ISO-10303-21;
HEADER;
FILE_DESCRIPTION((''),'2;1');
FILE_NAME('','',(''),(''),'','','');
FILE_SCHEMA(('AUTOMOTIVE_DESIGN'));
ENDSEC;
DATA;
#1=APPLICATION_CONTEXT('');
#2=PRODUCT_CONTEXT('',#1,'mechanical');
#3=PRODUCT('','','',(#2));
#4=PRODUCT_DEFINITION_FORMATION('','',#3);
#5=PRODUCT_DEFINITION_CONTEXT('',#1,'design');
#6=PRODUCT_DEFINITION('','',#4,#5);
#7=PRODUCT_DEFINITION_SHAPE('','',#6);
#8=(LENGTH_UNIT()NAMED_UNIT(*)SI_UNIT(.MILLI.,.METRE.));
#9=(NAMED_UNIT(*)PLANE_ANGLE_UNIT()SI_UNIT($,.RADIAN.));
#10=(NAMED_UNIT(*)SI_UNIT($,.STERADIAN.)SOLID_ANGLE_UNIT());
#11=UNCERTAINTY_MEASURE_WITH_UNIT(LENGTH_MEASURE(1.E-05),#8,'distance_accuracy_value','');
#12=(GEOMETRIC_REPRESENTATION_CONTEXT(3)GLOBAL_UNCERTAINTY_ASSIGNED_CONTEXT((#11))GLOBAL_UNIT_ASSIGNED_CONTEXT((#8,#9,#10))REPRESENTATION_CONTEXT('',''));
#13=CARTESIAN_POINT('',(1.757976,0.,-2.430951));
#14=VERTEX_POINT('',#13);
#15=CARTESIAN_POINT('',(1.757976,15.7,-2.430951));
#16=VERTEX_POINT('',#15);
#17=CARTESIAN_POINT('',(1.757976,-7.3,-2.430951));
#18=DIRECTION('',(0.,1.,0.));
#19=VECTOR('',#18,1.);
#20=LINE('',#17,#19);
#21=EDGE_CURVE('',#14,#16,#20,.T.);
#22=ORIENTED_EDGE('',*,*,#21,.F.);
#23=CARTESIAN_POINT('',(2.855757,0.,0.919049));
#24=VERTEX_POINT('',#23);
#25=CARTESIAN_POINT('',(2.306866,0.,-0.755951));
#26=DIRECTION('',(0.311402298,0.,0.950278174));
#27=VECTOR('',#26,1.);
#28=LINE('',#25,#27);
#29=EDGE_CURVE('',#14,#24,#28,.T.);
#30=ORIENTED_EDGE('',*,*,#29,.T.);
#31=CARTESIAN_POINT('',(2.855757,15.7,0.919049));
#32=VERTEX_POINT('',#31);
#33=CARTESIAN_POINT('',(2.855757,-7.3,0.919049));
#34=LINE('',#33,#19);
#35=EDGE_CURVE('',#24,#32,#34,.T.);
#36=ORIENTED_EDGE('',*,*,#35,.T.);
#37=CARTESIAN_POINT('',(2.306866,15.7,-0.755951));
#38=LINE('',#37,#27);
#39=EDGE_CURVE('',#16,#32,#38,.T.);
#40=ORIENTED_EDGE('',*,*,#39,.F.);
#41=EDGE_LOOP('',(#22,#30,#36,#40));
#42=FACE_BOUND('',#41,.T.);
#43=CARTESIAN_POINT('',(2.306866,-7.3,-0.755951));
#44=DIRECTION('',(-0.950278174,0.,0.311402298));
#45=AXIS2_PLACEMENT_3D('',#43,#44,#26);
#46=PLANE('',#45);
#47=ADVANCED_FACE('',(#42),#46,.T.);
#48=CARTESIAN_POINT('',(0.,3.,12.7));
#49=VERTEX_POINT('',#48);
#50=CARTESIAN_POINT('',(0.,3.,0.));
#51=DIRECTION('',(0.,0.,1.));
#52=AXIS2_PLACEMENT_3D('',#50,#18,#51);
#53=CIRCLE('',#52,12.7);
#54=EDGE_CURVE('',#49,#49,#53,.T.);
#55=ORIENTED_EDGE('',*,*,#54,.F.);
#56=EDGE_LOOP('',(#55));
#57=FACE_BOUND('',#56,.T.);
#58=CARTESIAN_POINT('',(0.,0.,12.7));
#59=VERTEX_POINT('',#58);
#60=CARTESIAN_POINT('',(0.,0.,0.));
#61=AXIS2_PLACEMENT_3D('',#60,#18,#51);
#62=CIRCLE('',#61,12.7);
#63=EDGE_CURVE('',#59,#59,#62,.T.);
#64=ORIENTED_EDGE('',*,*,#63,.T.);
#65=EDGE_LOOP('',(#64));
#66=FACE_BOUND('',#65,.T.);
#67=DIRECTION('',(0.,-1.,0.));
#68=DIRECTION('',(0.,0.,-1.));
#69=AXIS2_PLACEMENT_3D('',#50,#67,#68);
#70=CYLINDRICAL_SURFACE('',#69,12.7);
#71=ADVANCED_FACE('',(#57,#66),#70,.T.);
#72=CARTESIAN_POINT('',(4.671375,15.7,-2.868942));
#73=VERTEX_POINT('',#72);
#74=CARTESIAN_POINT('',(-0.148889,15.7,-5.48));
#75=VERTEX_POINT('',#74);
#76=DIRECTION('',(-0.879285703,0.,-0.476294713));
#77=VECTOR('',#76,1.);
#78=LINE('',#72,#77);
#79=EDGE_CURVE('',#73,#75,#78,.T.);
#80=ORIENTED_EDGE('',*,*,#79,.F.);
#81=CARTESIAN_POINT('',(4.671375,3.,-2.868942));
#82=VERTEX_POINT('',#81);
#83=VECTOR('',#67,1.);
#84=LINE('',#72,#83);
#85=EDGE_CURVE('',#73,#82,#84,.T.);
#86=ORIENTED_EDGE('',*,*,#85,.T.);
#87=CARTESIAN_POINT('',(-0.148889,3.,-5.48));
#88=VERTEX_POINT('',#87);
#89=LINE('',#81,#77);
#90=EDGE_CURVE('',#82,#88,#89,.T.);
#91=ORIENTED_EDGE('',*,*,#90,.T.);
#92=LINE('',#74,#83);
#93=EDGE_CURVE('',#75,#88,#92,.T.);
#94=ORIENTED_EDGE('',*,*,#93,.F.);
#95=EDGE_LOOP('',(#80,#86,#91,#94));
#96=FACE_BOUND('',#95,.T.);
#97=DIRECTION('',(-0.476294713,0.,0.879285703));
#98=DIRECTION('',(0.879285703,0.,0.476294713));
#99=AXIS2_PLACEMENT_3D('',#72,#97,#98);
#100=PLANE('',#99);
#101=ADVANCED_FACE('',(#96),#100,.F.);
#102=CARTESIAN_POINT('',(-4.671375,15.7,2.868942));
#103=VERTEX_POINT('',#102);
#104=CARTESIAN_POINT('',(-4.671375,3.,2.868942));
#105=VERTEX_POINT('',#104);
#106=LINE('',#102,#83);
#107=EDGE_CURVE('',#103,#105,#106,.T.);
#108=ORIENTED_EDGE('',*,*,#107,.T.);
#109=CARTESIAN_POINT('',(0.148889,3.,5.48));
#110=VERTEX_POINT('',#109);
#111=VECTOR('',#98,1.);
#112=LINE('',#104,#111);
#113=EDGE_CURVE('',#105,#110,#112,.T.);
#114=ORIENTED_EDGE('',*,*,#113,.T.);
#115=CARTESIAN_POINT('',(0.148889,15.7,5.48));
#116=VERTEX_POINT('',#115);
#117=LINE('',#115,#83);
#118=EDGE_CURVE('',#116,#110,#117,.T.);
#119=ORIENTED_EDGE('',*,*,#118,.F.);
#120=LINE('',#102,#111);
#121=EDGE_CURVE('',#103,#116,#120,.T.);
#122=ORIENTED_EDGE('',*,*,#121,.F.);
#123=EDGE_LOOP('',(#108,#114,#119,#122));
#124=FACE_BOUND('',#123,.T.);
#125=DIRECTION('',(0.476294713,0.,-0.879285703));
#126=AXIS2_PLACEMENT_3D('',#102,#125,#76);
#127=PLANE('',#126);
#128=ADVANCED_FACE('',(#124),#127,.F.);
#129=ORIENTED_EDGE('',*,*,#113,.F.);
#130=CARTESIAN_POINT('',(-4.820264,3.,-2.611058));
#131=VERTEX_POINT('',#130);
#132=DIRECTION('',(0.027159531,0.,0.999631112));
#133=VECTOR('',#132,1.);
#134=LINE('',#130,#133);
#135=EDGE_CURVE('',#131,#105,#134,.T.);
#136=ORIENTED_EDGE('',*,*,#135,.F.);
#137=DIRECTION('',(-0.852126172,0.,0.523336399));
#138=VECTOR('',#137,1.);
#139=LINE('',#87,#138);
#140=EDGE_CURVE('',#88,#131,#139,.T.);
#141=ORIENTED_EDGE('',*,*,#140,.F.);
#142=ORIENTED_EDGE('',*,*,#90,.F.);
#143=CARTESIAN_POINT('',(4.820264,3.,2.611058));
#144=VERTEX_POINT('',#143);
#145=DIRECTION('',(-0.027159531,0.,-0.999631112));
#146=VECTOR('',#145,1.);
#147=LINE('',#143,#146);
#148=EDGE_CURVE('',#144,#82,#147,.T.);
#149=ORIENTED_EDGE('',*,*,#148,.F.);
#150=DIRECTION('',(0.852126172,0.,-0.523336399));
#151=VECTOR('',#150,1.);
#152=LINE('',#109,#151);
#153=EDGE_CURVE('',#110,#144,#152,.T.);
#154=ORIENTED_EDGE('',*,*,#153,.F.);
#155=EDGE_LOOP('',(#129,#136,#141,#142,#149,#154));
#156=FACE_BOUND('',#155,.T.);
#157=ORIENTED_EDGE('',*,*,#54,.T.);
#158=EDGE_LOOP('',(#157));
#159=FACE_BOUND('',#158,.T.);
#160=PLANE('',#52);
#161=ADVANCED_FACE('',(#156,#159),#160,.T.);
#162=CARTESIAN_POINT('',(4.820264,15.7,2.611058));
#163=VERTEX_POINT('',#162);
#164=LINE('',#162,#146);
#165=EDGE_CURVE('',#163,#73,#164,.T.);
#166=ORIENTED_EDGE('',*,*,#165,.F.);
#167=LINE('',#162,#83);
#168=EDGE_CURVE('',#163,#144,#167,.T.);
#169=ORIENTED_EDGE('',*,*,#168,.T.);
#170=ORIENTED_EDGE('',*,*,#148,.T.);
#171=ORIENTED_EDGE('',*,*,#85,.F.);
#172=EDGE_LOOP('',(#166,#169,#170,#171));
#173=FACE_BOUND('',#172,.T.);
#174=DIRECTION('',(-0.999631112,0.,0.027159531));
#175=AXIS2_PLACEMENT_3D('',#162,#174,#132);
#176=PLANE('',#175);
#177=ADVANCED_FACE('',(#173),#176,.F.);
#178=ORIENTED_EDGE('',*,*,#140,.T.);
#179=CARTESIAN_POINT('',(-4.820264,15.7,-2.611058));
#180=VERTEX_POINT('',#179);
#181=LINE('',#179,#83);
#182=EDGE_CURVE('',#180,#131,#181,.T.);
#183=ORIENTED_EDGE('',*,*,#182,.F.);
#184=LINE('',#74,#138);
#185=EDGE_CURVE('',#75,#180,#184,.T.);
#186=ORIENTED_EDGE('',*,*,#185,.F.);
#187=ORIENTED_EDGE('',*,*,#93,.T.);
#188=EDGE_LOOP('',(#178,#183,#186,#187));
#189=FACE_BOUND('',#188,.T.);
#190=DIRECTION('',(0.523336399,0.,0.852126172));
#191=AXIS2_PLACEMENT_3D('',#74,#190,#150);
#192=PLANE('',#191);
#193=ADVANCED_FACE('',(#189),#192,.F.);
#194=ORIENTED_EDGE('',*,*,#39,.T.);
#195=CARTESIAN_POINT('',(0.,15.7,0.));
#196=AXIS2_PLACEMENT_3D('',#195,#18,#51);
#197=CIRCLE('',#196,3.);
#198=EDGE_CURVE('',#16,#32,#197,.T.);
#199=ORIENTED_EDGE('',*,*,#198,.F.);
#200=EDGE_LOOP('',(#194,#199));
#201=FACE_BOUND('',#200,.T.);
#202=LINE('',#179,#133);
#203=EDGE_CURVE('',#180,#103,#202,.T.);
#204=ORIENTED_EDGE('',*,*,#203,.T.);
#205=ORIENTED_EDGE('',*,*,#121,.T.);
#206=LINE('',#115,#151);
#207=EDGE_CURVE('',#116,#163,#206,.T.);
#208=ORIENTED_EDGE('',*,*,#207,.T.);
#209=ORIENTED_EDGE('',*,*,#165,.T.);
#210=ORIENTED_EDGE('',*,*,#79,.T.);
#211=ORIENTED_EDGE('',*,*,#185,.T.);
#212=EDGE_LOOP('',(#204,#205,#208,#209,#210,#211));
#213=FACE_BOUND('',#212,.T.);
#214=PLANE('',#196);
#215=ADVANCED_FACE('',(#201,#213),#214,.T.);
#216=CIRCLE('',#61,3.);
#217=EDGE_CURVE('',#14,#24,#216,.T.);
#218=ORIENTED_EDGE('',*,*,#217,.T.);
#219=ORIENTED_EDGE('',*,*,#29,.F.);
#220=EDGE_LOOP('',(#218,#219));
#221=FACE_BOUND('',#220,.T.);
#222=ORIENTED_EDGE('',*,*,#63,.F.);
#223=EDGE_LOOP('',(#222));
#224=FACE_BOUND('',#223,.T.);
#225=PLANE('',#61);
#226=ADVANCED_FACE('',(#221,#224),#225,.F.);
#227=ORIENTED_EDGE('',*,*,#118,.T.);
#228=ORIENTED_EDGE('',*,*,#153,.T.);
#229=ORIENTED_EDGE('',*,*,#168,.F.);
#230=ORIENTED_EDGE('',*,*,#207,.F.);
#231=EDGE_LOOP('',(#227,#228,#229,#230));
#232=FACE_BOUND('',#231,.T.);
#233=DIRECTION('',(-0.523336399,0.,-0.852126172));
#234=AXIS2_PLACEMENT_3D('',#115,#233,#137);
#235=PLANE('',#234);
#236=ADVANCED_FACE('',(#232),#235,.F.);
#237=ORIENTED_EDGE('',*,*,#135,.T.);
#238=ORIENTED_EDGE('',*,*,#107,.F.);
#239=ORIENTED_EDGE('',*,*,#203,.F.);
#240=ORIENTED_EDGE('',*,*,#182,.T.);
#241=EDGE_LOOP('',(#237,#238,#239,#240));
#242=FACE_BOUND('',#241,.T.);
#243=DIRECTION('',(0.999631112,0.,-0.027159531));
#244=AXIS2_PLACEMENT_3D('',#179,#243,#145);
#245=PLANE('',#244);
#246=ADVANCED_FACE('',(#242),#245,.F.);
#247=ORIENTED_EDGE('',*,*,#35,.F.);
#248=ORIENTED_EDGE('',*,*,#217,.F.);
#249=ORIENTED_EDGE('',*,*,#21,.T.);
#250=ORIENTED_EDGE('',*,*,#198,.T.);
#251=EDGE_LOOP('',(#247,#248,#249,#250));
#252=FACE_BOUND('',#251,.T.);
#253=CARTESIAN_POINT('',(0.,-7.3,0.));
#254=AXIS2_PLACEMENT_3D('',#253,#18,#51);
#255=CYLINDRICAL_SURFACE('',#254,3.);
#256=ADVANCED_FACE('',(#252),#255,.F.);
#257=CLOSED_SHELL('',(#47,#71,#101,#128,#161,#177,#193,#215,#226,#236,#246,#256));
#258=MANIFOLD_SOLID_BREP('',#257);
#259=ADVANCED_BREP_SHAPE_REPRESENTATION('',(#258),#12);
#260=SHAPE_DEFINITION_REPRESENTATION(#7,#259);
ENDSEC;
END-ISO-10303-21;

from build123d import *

# Parameters (mm, degrees)
SKETCH1_R           = 12.7
BOSS_EXTRUDE1_DEPTH = 3
BOSS_EXTRUDE2_DEPTH = 12.7
CUT_EXTRUDE1_DEPTH  = 23


with BuildPart() as part:
    # Sketch1 → Boss-Extrude1 (new body)
    with BuildSketch(Plane(origin=(0, 0, 0), x_dir=(1, 0, 0), z_dir=(0, 1, 0))):
        with Locations(Location((0, 0, 0), (0, 0, 270))):
            Circle(SKETCH1_R)
    extrude(amount=BOSS_EXTRUDE1_DEPTH)

    # Sketch2 → Boss-Extrude2 (add)
    with BuildSketch(Plane(origin=(0, 3, 0), x_dir=(1, 0, 0), z_dir=(0, 1, 0))):
        Polygon((0.148889151, -5.48), (4.820263788, -2.611058213), (4.671374637, 2.868941787), (-0.148889151, 5.48), (-4.820263788, 2.611058213), (-4.671374637, -2.868941787), align=None)
    extrude(amount=BOSS_EXTRUDE2_DEPTH)

    # Sketch6 → Cut-Extrude1 (cut)
    with BuildSketch(Plane(origin=(0, 15.7, 0), x_dir=(1, 0, 0), z_dir=(0, 1, 0))):
        with BuildLine():
            Line((2.855757074, -0.919049257), (1.757975678, 2.430950743))
            ThreePointArc((1.757975678, 2.430950743), (-2.850834523, -0.934206895), (2.855757074, -0.919049257))
        make_face()
    extrude(amount=-CUT_EXTRUDE1_DEPTH, mode=Mode.SUBTRACT)


solid = part.part
